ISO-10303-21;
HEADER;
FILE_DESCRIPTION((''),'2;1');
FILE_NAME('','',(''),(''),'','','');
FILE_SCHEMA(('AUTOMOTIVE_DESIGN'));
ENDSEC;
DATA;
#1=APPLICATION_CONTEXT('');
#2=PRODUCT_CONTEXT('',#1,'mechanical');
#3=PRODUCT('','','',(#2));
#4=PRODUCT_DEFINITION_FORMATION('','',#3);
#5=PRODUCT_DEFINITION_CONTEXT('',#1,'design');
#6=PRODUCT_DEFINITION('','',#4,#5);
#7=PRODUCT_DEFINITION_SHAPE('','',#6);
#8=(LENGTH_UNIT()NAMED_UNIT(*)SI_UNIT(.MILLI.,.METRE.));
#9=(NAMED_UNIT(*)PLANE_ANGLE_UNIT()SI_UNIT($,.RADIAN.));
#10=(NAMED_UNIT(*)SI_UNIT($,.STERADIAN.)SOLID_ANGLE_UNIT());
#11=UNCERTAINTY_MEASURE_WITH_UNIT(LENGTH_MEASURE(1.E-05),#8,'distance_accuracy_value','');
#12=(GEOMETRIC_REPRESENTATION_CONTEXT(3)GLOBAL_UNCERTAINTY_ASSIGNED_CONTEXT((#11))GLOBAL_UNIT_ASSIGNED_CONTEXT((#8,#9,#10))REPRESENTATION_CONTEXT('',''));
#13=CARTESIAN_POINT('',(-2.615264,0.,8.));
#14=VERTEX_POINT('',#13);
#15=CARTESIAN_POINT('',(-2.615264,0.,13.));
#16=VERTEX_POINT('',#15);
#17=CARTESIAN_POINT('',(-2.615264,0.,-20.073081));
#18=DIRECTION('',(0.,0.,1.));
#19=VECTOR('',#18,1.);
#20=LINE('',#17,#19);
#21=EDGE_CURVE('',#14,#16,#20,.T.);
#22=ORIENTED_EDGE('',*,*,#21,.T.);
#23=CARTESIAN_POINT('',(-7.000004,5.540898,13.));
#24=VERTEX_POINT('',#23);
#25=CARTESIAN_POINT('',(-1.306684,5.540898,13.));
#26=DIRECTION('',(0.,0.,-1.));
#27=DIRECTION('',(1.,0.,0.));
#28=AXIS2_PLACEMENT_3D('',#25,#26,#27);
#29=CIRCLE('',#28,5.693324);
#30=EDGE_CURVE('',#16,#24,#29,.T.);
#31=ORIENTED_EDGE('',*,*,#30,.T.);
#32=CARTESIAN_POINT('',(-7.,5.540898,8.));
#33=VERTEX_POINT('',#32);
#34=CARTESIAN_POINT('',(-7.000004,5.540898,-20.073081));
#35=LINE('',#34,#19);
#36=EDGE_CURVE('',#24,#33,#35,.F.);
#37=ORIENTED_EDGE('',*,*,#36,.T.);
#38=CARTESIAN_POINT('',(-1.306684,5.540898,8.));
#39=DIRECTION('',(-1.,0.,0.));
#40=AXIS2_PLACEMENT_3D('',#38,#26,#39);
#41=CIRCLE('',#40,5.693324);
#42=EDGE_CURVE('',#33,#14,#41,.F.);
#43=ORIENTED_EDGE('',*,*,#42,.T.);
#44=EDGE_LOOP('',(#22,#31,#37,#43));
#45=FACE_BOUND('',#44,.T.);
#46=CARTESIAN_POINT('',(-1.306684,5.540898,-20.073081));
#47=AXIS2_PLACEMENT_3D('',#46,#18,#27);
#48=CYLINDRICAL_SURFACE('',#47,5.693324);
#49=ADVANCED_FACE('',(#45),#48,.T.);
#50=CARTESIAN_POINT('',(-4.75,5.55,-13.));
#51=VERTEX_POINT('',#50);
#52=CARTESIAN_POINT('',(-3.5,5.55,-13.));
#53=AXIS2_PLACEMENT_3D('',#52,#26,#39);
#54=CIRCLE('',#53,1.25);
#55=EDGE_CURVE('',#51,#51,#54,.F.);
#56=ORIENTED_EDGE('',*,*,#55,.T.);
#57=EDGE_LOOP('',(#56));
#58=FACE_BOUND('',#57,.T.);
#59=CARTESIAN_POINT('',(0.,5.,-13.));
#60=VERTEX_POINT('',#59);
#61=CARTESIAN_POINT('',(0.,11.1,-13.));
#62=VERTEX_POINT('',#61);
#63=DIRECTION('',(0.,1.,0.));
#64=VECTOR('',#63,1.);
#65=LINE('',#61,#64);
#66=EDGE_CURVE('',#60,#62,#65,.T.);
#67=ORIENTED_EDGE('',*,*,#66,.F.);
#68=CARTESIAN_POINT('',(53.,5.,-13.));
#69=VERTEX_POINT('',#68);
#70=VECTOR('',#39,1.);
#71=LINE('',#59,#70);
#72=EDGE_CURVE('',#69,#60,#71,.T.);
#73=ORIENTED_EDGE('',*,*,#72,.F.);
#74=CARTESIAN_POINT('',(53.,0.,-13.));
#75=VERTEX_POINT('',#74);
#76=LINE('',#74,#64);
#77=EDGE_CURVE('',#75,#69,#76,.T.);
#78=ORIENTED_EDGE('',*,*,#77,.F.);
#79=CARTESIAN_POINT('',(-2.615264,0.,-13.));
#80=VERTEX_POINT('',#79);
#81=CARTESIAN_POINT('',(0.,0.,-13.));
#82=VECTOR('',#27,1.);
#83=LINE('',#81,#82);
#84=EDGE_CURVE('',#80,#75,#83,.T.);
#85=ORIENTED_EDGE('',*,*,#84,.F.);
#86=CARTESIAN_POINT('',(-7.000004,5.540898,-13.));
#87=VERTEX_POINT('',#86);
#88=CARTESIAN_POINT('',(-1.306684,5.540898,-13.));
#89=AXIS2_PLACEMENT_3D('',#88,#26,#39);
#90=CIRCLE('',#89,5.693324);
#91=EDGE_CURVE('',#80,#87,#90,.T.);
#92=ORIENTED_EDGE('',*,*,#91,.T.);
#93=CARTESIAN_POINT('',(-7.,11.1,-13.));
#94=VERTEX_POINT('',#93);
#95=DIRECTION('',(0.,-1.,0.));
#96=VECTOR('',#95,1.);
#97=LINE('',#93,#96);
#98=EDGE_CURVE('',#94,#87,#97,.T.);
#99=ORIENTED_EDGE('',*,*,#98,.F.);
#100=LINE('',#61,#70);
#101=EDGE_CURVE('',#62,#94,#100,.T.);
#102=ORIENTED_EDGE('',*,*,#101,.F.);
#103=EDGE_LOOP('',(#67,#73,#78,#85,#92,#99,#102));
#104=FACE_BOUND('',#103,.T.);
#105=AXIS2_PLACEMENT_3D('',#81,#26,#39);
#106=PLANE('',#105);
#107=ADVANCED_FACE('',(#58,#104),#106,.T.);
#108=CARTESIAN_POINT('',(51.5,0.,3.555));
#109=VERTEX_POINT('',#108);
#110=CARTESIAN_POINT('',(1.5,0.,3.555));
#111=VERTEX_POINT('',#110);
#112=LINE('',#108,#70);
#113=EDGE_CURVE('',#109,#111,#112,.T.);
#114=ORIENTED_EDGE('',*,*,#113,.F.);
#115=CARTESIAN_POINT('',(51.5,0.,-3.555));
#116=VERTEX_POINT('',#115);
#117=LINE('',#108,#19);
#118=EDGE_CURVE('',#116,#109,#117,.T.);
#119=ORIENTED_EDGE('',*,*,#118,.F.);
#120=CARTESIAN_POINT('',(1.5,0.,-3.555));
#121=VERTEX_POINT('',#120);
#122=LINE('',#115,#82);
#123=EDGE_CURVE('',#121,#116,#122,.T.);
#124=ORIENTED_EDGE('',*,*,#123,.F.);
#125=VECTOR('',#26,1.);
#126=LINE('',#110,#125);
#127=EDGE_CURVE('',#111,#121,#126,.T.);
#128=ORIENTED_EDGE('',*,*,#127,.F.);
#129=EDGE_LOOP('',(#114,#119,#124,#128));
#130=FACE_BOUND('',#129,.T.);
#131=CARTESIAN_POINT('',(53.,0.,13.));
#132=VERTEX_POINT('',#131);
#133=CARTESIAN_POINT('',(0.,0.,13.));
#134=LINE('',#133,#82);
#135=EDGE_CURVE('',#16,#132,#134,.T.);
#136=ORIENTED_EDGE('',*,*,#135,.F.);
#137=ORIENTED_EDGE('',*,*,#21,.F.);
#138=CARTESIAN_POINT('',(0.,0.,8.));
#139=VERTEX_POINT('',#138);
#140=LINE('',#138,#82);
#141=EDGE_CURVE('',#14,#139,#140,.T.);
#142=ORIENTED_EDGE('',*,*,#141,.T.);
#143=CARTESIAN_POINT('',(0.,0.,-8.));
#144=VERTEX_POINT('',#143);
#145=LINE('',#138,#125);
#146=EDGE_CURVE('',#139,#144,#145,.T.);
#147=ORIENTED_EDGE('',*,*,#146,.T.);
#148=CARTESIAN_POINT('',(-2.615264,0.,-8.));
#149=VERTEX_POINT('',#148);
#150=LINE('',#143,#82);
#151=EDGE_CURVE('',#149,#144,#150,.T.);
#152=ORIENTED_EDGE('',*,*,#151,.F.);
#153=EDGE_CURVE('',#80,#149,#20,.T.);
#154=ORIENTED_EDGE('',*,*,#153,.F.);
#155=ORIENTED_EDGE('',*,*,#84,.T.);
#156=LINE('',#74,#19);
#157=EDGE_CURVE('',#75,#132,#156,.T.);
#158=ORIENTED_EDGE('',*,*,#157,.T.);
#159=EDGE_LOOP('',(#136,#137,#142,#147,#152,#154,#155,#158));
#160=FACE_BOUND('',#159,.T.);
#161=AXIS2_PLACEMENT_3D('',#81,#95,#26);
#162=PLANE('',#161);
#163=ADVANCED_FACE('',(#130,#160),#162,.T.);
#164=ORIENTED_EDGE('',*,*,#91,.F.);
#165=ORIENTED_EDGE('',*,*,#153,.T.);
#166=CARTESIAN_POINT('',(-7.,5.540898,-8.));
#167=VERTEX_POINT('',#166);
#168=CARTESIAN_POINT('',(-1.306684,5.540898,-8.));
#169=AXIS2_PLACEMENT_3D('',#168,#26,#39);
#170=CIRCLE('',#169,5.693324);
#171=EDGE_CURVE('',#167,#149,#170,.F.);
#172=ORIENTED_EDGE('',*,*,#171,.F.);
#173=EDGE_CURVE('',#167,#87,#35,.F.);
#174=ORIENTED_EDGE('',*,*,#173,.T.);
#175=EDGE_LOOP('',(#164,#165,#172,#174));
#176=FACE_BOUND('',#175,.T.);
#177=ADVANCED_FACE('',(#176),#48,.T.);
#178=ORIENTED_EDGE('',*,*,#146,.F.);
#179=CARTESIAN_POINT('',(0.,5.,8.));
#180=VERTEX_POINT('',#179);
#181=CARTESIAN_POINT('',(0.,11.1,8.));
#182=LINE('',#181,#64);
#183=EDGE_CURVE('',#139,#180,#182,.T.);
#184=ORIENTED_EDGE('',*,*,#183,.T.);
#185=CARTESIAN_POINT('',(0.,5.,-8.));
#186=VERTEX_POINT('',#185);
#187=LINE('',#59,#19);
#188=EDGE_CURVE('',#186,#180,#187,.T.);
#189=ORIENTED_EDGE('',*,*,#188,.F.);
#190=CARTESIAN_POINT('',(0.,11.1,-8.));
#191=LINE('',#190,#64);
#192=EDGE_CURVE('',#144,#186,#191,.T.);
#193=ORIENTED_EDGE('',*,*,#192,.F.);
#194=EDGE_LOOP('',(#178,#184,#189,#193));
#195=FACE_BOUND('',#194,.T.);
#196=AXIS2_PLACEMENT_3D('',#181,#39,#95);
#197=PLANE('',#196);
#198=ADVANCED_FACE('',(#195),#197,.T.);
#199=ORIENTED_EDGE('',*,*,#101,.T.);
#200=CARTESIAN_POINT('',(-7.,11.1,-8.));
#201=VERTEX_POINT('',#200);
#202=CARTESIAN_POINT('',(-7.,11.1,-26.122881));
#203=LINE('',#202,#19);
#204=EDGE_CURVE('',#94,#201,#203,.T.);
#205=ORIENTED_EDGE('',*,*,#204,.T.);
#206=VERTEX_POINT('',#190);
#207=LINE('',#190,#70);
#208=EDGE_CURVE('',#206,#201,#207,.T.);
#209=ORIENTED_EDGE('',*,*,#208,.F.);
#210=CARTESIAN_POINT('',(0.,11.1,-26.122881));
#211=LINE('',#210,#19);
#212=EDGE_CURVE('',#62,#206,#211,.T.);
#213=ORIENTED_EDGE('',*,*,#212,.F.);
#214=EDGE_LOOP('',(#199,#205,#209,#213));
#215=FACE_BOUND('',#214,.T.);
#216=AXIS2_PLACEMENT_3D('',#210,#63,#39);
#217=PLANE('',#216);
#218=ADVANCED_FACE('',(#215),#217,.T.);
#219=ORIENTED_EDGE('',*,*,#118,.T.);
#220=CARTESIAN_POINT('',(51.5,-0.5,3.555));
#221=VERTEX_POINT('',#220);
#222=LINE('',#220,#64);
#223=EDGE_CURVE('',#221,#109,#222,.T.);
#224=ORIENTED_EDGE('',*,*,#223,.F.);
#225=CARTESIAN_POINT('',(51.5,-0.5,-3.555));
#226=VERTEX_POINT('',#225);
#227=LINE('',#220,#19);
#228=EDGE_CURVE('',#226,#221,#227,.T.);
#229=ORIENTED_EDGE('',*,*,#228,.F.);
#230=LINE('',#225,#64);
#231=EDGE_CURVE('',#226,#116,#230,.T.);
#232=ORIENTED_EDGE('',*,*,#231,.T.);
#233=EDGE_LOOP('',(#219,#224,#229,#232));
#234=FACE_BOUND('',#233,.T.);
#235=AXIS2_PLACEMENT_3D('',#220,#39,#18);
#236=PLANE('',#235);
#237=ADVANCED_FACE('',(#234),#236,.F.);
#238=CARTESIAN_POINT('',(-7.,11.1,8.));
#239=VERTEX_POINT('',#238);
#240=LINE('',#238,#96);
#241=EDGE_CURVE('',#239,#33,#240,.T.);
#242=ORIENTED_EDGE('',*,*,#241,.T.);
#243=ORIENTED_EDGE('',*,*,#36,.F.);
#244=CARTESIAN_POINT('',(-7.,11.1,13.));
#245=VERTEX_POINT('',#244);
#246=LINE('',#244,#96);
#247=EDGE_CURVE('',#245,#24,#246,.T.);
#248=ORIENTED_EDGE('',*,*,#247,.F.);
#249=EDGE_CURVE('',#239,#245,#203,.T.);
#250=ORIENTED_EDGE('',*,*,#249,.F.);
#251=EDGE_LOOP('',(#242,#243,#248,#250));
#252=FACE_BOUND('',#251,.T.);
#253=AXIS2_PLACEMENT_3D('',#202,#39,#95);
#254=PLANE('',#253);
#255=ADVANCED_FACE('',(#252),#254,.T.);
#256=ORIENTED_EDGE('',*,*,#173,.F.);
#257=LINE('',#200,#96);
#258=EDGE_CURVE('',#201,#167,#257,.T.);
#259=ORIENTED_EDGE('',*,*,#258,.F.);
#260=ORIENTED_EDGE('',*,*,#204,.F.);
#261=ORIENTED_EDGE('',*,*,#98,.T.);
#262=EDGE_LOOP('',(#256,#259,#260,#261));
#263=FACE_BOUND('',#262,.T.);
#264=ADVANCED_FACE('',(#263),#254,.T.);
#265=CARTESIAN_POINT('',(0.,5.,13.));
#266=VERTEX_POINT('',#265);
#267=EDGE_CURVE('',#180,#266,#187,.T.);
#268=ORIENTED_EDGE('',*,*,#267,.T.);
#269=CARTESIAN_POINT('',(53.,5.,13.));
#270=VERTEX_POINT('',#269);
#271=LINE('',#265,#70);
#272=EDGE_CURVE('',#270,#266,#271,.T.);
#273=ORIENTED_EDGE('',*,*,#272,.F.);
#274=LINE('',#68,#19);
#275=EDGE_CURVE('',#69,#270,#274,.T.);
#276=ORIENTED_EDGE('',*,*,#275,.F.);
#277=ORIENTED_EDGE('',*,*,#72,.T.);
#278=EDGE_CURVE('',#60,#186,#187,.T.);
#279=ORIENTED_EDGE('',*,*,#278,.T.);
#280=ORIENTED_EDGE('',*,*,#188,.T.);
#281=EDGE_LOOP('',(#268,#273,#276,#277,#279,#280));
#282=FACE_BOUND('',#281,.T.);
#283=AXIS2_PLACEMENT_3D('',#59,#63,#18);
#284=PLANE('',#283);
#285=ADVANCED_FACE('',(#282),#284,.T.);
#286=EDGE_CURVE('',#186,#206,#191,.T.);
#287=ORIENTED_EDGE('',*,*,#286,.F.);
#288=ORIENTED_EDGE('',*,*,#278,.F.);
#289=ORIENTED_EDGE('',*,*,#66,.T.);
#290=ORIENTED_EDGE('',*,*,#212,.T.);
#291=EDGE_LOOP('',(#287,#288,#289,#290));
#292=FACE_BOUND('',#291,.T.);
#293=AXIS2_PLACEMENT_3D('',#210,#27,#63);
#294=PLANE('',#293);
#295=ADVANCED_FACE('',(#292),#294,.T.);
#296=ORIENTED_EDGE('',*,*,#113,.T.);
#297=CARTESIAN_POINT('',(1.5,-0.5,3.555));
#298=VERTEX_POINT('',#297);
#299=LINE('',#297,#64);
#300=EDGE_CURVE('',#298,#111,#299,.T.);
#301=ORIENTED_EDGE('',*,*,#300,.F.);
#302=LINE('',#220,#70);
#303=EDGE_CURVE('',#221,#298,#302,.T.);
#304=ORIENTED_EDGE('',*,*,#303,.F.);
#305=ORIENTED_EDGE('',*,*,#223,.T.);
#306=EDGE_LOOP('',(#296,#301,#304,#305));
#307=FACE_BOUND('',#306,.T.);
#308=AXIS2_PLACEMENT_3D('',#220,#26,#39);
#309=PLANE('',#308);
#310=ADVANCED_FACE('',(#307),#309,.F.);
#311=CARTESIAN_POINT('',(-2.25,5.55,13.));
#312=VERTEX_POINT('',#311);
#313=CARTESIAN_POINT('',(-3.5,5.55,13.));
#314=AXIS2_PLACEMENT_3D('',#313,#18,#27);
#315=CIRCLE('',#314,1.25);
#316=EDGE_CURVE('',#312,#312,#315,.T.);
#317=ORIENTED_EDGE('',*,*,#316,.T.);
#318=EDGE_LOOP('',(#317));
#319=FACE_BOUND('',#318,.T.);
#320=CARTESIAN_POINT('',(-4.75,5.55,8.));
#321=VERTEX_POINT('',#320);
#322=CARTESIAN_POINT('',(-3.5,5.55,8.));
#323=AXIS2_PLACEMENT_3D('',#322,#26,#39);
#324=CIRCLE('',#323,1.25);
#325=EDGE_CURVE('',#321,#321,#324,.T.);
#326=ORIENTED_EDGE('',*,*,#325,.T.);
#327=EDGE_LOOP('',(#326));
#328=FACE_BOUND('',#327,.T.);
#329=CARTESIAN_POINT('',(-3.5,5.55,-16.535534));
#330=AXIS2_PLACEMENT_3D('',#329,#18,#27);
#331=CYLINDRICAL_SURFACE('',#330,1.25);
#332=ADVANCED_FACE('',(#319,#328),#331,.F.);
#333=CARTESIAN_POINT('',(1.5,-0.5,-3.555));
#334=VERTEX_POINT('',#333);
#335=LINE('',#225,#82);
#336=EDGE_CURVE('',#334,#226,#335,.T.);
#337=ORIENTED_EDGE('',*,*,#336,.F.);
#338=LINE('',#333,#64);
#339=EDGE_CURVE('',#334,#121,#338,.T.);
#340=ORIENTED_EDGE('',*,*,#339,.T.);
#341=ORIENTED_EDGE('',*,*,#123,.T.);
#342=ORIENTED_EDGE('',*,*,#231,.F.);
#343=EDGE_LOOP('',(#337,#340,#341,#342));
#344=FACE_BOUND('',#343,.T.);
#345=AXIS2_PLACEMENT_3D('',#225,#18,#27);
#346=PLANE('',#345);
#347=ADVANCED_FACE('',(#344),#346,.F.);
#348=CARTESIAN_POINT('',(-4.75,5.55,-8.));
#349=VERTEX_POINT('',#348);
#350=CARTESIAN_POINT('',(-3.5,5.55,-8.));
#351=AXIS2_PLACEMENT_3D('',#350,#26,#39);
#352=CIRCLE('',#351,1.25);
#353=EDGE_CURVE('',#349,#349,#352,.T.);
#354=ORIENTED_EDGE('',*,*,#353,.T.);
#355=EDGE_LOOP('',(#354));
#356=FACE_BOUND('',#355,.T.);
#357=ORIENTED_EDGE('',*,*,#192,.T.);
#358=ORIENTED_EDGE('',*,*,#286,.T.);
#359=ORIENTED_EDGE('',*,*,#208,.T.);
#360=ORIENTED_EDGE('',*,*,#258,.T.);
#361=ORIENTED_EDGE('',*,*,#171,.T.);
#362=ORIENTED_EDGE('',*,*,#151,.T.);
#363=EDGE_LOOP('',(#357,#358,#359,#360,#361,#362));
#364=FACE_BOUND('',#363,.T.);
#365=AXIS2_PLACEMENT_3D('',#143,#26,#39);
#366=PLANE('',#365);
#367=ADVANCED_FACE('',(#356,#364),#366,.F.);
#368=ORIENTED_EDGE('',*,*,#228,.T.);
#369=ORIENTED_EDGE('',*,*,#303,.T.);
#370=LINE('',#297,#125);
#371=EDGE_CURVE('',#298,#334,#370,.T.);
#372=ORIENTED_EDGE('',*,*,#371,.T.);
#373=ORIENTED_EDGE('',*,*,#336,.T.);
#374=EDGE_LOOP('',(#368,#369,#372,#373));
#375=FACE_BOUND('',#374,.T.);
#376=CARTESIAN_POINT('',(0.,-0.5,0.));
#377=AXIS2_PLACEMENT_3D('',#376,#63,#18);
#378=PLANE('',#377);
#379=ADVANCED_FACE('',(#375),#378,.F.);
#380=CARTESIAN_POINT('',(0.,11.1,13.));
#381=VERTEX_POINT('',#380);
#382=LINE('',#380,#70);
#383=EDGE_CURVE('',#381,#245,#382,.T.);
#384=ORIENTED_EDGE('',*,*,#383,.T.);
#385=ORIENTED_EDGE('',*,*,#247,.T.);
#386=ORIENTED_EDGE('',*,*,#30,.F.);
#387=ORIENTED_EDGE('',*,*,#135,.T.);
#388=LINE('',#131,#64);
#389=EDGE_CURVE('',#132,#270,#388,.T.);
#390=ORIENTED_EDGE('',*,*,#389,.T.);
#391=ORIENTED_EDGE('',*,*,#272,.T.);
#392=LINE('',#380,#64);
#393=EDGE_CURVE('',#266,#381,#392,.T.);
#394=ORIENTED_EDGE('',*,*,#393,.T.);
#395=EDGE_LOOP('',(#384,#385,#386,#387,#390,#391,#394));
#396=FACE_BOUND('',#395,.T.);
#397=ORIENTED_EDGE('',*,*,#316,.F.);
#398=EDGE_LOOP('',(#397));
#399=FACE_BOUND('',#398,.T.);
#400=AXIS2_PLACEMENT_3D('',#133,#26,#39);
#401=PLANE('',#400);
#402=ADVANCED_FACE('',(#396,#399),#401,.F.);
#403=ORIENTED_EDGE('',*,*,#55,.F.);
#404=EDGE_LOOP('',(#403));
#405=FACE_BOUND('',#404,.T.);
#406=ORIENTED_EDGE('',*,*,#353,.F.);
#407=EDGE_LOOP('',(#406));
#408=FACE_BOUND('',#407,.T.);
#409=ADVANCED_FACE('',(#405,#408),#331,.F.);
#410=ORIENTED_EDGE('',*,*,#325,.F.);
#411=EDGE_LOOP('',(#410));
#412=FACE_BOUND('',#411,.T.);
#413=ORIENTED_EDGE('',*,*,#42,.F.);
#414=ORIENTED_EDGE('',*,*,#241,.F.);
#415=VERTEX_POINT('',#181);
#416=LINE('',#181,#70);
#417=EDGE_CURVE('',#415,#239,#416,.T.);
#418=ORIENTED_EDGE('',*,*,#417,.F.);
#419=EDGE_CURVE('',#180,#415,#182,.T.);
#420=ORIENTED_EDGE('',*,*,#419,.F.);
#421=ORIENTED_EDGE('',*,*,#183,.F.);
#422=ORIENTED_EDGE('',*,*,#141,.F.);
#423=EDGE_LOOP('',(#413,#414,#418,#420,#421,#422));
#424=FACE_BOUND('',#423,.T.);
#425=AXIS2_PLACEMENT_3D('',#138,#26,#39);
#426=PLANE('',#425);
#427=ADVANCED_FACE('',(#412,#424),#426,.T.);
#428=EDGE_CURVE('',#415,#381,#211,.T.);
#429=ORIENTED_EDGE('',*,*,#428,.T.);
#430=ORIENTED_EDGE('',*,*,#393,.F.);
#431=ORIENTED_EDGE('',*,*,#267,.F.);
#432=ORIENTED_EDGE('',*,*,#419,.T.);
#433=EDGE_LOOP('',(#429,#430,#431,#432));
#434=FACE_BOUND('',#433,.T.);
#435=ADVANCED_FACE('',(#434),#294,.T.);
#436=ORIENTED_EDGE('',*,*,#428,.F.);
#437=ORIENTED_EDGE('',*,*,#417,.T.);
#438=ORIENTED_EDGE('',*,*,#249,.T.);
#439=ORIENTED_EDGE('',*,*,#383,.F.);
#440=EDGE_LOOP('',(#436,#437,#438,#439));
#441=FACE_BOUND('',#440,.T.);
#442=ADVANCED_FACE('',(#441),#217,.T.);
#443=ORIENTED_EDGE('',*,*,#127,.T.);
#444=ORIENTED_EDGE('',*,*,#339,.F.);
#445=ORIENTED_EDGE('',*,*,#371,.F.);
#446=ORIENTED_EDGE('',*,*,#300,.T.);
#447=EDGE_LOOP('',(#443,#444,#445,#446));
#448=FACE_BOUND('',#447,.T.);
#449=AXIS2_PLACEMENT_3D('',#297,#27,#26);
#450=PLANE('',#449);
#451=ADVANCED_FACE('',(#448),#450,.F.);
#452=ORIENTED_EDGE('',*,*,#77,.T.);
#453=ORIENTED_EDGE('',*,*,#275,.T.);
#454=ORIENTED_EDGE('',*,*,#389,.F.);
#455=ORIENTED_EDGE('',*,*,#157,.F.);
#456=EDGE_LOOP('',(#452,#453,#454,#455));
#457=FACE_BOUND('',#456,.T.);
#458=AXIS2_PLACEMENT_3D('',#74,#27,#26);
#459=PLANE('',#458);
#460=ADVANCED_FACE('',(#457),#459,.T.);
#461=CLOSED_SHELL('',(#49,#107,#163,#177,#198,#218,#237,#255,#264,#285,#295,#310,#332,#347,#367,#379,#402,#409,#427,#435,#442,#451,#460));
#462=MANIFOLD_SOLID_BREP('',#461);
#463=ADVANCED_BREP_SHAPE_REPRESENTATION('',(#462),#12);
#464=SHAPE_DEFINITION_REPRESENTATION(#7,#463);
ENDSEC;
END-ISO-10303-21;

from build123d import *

# Parameters (mm, degrees)
BOSS_EXTRUDE1_DEPTH      = 13
BOSS_EXTRUDE1_DEPTH_BACK = 13
SKETCH1_W                = 53
SKETCH1_H                = 5
SKETCH2_W                = 7
SKETCH2_H                = 11.1
BOSS_EXTRUDE2_DEPTH      = 26
CUT_EXTRUDE1_DEPTH       = 8
CUT_EXTRUDE1_DEPTH_BACK  = 8
SKETCH3_W                = 7
SKETCH3_H                = 11.1
CUT_EXTRUDE3_START       = -26.000001
CUT_EXTRUDE3_DEPTH       = 26.000002
CUT_EXTRUDE5_REACH       = 62.068
SKETCH6_R                = 1.25
SKETCH7_W                = 50
SKETCH7_H                = 7.11
BOSS_EXTRUDE3_DEPTH      = 0.5


with BuildPart() as part:
    # Sketch1 → Boss-Extrude1 (new, two sides: drawn at the far end of the back side and taken through both)
    with BuildSketch(Plane.XY.offset(-BOSS_EXTRUDE1_DEPTH_BACK)):
        with Locations((26.5, 2.5)):
            Rectangle(SKETCH1_W, SKETCH1_H)
    extrude(amount=BOSS_EXTRUDE1_DEPTH + BOSS_EXTRUDE1_DEPTH_BACK)

    # Sketch2 → Boss-Extrude2 (add)
    with BuildSketch(Plane.XY.offset(13)):
        with Locations((-3.5, 5.55)):
            Rectangle(SKETCH2_W, SKETCH2_H)
    extrude(amount=-BOSS_EXTRUDE2_DEPTH)

    # Sketch3 → Cut-Extrude1 (cut, two sides: drawn at the far end of the back side and taken through both)
    with BuildSketch(Plane.XY.offset(-CUT_EXTRUDE1_DEPTH_BACK)):
        with Locations((-3.5, 5.55)):
            Rectangle(SKETCH3_W, SKETCH3_H)
    extrude(amount=CUT_EXTRUDE1_DEPTH + CUT_EXTRUDE1_DEPTH_BACK, mode=Mode.SUBTRACT)

    # Sketch5 → Cut-Extrude3 (cut)
    with BuildSketch(Plane.XY.offset(13).offset(CUT_EXTRUDE3_START)):
        with BuildLine():
            Line((-7, 0), (-2.615264285, 0))
            ThreePointArc((-2.615264285, 0), (-5.774039172, 2.011497403), (-7, 5.55))
            Line((-7, 5.55), (-7, 0))
        make_face()
    extrude(amount=CUT_EXTRUDE3_DEPTH, mode=Mode.SUBTRACT)

    # Cut-Extrude5: up to this face of the body (flat: up to its plane)
    cut_extrude5_end = Plane(part.part.faces().sort_by_distance((20.170778463, 3.227224149, -13))[0])
    # Sketch6 → Cut-Extrude5 (cut, up to the picked face)
    with BuildSketch(Plane.XY.offset(13), mode=Mode.PRIVATE) as cut_extrude5_sk1:
        with Locations(Location((-3.5, 5.55, 0), (0, 0, 180))):
            Circle(SKETCH6_R)
    cut_extrude5_tool1 = split(extrude(cut_extrude5_sk1.sketch, amount=-CUT_EXTRUDE5_REACH, mode=Mode.PRIVATE), bisect_by=cut_extrude5_end, keep=Keep.BOTH, mode=Mode.PRIVATE)
    add(cut_extrude5_tool1.solids().sort_by(Axis((-3.5, 5.55, 13), (0, 0, -1)))[0], mode=Mode.SUBTRACT)

    # Sketch7 → Boss-Extrude3 (add)
    with BuildSketch(Plane.XZ):
        with Locations((26.5, 0)):
            Rectangle(SKETCH7_W, SKETCH7_H)
    extrude(amount=BOSS_EXTRUDE3_DEPTH)


solid = part.part
